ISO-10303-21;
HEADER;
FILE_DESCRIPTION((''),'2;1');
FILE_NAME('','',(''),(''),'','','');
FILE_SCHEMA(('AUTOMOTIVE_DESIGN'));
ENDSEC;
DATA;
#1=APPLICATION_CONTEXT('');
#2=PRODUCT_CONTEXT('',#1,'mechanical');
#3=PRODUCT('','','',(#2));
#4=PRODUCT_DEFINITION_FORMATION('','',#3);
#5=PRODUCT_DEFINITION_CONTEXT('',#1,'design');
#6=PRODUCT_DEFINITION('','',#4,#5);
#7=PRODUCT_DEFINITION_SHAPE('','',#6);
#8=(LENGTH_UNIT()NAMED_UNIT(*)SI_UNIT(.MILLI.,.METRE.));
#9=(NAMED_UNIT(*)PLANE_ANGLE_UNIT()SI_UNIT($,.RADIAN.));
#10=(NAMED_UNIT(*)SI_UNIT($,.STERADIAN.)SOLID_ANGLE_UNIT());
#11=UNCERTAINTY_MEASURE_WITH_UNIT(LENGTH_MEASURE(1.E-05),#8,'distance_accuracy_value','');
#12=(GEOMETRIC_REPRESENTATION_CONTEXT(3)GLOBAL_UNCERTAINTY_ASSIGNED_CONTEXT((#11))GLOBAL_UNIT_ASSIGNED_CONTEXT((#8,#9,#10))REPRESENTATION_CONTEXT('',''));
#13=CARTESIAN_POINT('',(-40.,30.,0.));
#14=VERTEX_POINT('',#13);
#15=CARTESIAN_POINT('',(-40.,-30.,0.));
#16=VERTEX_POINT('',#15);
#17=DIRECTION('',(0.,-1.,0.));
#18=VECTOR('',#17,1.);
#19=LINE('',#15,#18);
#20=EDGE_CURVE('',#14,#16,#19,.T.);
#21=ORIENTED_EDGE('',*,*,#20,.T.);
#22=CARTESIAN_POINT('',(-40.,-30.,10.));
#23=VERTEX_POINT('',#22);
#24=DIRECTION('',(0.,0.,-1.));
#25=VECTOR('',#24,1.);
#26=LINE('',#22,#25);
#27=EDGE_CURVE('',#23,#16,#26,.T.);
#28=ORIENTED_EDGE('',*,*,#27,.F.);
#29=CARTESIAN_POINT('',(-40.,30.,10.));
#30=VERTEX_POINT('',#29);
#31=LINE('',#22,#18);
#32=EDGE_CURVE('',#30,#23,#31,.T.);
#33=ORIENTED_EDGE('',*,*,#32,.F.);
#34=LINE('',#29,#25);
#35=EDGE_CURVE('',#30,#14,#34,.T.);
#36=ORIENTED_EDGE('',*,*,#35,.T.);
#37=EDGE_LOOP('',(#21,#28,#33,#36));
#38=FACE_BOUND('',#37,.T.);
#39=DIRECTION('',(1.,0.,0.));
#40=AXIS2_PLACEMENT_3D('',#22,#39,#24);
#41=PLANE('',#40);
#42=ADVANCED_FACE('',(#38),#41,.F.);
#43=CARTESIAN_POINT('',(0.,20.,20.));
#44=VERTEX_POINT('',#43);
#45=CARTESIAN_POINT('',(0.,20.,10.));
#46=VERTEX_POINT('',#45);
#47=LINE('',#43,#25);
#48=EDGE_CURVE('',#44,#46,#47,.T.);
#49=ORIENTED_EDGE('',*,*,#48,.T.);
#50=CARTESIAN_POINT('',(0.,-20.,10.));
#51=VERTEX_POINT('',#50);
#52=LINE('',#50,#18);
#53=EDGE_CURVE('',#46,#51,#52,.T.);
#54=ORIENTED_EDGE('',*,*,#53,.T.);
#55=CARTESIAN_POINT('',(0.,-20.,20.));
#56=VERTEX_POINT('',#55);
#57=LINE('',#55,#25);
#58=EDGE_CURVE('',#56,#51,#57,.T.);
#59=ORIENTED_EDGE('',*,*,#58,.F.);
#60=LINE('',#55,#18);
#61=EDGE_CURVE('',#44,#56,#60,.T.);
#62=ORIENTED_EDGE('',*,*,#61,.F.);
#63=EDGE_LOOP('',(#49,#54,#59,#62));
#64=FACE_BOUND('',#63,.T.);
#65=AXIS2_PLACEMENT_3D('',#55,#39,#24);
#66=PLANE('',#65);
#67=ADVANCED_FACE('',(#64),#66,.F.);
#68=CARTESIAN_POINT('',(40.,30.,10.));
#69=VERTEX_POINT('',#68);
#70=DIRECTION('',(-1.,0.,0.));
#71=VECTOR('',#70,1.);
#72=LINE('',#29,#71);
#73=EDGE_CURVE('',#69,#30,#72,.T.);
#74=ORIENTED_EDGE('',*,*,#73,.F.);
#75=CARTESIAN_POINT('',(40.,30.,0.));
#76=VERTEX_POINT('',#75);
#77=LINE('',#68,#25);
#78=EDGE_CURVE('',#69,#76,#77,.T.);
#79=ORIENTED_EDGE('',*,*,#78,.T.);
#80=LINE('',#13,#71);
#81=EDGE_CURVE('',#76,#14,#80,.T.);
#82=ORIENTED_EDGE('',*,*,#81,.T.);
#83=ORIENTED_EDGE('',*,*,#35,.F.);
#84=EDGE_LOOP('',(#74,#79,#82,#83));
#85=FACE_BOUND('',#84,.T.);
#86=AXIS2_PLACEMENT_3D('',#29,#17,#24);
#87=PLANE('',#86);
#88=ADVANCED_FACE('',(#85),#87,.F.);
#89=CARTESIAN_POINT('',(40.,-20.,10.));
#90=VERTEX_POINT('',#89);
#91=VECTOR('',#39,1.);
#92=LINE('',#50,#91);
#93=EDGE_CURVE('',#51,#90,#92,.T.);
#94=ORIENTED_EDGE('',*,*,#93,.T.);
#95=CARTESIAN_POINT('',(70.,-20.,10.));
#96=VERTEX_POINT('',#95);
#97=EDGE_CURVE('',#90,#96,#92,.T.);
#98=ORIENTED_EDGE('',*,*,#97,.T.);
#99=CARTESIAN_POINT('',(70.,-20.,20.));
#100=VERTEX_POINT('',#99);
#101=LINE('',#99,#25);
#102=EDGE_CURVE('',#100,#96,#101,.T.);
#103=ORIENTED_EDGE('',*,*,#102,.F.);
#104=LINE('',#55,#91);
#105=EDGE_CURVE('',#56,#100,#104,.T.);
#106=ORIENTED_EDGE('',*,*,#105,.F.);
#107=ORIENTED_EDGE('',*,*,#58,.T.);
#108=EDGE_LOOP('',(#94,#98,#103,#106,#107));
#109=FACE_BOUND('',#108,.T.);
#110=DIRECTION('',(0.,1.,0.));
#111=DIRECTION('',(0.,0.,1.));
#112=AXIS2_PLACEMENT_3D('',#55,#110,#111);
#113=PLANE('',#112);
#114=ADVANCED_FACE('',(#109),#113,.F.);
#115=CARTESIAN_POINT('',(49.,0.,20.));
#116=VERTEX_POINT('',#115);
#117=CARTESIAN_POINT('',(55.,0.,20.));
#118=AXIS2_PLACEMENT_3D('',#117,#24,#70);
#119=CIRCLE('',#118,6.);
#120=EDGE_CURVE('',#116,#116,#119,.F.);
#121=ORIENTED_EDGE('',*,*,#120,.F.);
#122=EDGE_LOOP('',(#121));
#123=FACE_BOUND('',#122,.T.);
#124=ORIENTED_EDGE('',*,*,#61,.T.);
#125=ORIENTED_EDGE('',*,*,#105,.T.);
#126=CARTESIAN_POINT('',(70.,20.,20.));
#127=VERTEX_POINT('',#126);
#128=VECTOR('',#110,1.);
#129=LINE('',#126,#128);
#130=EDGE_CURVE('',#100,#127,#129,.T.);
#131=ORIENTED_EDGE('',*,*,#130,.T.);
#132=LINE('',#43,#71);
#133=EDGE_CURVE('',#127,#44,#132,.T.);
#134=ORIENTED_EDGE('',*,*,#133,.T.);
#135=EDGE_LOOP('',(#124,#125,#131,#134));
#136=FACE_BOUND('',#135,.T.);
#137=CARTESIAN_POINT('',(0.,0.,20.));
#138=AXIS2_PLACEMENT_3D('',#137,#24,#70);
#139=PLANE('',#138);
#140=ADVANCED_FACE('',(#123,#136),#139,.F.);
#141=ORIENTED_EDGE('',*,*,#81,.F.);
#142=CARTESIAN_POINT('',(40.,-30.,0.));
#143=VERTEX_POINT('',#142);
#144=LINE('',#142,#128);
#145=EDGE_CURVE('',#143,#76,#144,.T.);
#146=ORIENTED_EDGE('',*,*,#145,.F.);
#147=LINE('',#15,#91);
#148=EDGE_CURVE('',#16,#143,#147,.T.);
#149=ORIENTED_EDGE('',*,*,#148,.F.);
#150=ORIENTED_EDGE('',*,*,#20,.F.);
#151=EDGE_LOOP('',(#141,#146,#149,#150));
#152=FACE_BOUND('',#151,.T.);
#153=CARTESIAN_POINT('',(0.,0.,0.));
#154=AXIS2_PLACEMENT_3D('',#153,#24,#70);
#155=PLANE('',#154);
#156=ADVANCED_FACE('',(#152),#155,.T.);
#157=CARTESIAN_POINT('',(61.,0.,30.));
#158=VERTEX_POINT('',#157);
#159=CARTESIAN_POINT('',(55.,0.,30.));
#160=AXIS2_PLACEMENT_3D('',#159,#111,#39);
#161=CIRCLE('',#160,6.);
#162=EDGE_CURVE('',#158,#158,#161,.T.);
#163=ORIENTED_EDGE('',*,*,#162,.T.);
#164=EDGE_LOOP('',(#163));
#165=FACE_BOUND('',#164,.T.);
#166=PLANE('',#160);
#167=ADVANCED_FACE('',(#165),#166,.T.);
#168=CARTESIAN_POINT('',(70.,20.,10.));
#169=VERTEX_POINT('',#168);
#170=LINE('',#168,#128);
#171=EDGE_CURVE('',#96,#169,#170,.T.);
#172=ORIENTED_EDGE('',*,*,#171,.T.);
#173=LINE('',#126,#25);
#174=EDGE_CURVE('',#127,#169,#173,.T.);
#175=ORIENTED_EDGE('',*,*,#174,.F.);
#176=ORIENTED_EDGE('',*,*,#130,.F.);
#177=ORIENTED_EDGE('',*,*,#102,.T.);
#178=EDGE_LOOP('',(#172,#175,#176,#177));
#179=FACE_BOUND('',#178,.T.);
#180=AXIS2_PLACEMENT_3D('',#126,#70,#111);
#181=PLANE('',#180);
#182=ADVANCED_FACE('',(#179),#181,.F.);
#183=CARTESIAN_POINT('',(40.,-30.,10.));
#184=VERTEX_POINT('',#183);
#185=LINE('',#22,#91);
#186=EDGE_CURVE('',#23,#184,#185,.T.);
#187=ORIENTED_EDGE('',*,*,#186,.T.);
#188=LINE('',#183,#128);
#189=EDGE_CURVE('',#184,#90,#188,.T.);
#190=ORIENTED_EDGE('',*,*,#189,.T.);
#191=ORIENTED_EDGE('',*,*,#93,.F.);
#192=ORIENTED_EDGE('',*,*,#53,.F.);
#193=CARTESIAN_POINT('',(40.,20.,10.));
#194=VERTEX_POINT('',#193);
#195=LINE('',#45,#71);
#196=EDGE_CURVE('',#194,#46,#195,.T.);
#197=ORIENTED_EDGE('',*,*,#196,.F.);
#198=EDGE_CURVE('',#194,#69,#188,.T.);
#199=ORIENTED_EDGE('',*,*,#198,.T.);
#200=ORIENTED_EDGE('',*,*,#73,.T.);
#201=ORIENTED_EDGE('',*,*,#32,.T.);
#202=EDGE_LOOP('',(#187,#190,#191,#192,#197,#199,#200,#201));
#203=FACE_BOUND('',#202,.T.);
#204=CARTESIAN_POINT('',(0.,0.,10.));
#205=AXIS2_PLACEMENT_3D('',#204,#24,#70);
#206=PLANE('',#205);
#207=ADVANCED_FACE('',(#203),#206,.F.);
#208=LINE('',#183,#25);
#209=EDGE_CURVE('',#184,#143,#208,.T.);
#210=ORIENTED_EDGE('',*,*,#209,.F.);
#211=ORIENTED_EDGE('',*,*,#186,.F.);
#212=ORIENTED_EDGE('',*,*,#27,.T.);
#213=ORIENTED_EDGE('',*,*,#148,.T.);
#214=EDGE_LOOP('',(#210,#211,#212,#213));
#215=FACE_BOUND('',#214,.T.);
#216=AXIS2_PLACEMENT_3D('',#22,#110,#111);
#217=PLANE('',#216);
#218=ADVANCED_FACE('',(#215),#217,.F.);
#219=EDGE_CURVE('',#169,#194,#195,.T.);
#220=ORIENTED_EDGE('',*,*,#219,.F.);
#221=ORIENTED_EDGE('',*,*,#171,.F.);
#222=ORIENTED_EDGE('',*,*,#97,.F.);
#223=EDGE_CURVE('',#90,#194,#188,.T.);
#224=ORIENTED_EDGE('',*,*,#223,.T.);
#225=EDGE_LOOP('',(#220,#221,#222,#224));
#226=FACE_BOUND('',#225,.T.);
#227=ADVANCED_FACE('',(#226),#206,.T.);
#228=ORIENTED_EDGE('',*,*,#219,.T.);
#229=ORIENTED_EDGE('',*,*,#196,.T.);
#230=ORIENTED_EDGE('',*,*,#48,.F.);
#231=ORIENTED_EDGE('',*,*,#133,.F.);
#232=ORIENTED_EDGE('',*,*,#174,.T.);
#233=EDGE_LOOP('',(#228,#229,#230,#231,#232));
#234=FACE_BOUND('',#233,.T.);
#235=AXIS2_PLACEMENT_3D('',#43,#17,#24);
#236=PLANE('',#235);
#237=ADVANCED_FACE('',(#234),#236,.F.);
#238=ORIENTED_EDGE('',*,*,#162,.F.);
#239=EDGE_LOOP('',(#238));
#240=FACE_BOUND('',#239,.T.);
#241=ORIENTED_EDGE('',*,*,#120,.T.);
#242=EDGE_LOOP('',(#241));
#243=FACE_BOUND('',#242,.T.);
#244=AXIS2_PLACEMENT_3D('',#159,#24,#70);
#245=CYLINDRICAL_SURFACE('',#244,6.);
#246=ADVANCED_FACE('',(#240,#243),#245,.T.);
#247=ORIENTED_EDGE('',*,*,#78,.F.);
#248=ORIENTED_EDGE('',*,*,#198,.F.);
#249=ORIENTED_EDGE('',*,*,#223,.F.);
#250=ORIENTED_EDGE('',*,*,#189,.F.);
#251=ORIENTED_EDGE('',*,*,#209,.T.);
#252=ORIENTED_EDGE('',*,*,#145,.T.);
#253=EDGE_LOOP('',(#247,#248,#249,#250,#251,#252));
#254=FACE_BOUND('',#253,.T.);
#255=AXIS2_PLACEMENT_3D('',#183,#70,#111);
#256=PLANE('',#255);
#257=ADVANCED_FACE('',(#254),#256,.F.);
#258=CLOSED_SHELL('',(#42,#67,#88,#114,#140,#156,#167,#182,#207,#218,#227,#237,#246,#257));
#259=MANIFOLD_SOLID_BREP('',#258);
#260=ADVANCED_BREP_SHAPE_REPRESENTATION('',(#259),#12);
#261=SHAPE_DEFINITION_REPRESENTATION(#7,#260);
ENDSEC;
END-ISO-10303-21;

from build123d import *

# Parameters (mm, degrees)
CROQUIS1_W              = 80
CROQUIS1_H              = 60
SALIENTE_EXTRUIR1_DEPTH = 10
CROQUIS2_W              = 70
CROQUIS2_H              = 40
SALIENTE_EXTRUIR2_DEPTH = 10
CROQUIS3_R              = 6
SALIENTE_EXTRUIR3_DEPTH = 10


with BuildPart() as part:
    # Croquis1 → Saliente-Extruir1 (new body)
    with BuildSketch(Plane.XY):
        Rectangle(CROQUIS1_W, CROQUIS1_H)
    extrude(amount=SALIENTE_EXTRUIR1_DEPTH)

    # Croquis2 → Saliente-Extruir2 (add)
    with BuildSketch(Plane.XY.offset(10)):
        with Locations((35, 0)):
            Rectangle(CROQUIS2_W, CROQUIS2_H)
    extrude(amount=SALIENTE_EXTRUIR2_DEPTH)

    # Croquis3 → Saliente-Extruir3 (add)
    with BuildSketch(Plane.XY.offset(20)):
        with Locations((55, 0)):
            Circle(CROQUIS3_R)
    extrude(amount=SALIENTE_EXTRUIR3_DEPTH)


solid = part.part
